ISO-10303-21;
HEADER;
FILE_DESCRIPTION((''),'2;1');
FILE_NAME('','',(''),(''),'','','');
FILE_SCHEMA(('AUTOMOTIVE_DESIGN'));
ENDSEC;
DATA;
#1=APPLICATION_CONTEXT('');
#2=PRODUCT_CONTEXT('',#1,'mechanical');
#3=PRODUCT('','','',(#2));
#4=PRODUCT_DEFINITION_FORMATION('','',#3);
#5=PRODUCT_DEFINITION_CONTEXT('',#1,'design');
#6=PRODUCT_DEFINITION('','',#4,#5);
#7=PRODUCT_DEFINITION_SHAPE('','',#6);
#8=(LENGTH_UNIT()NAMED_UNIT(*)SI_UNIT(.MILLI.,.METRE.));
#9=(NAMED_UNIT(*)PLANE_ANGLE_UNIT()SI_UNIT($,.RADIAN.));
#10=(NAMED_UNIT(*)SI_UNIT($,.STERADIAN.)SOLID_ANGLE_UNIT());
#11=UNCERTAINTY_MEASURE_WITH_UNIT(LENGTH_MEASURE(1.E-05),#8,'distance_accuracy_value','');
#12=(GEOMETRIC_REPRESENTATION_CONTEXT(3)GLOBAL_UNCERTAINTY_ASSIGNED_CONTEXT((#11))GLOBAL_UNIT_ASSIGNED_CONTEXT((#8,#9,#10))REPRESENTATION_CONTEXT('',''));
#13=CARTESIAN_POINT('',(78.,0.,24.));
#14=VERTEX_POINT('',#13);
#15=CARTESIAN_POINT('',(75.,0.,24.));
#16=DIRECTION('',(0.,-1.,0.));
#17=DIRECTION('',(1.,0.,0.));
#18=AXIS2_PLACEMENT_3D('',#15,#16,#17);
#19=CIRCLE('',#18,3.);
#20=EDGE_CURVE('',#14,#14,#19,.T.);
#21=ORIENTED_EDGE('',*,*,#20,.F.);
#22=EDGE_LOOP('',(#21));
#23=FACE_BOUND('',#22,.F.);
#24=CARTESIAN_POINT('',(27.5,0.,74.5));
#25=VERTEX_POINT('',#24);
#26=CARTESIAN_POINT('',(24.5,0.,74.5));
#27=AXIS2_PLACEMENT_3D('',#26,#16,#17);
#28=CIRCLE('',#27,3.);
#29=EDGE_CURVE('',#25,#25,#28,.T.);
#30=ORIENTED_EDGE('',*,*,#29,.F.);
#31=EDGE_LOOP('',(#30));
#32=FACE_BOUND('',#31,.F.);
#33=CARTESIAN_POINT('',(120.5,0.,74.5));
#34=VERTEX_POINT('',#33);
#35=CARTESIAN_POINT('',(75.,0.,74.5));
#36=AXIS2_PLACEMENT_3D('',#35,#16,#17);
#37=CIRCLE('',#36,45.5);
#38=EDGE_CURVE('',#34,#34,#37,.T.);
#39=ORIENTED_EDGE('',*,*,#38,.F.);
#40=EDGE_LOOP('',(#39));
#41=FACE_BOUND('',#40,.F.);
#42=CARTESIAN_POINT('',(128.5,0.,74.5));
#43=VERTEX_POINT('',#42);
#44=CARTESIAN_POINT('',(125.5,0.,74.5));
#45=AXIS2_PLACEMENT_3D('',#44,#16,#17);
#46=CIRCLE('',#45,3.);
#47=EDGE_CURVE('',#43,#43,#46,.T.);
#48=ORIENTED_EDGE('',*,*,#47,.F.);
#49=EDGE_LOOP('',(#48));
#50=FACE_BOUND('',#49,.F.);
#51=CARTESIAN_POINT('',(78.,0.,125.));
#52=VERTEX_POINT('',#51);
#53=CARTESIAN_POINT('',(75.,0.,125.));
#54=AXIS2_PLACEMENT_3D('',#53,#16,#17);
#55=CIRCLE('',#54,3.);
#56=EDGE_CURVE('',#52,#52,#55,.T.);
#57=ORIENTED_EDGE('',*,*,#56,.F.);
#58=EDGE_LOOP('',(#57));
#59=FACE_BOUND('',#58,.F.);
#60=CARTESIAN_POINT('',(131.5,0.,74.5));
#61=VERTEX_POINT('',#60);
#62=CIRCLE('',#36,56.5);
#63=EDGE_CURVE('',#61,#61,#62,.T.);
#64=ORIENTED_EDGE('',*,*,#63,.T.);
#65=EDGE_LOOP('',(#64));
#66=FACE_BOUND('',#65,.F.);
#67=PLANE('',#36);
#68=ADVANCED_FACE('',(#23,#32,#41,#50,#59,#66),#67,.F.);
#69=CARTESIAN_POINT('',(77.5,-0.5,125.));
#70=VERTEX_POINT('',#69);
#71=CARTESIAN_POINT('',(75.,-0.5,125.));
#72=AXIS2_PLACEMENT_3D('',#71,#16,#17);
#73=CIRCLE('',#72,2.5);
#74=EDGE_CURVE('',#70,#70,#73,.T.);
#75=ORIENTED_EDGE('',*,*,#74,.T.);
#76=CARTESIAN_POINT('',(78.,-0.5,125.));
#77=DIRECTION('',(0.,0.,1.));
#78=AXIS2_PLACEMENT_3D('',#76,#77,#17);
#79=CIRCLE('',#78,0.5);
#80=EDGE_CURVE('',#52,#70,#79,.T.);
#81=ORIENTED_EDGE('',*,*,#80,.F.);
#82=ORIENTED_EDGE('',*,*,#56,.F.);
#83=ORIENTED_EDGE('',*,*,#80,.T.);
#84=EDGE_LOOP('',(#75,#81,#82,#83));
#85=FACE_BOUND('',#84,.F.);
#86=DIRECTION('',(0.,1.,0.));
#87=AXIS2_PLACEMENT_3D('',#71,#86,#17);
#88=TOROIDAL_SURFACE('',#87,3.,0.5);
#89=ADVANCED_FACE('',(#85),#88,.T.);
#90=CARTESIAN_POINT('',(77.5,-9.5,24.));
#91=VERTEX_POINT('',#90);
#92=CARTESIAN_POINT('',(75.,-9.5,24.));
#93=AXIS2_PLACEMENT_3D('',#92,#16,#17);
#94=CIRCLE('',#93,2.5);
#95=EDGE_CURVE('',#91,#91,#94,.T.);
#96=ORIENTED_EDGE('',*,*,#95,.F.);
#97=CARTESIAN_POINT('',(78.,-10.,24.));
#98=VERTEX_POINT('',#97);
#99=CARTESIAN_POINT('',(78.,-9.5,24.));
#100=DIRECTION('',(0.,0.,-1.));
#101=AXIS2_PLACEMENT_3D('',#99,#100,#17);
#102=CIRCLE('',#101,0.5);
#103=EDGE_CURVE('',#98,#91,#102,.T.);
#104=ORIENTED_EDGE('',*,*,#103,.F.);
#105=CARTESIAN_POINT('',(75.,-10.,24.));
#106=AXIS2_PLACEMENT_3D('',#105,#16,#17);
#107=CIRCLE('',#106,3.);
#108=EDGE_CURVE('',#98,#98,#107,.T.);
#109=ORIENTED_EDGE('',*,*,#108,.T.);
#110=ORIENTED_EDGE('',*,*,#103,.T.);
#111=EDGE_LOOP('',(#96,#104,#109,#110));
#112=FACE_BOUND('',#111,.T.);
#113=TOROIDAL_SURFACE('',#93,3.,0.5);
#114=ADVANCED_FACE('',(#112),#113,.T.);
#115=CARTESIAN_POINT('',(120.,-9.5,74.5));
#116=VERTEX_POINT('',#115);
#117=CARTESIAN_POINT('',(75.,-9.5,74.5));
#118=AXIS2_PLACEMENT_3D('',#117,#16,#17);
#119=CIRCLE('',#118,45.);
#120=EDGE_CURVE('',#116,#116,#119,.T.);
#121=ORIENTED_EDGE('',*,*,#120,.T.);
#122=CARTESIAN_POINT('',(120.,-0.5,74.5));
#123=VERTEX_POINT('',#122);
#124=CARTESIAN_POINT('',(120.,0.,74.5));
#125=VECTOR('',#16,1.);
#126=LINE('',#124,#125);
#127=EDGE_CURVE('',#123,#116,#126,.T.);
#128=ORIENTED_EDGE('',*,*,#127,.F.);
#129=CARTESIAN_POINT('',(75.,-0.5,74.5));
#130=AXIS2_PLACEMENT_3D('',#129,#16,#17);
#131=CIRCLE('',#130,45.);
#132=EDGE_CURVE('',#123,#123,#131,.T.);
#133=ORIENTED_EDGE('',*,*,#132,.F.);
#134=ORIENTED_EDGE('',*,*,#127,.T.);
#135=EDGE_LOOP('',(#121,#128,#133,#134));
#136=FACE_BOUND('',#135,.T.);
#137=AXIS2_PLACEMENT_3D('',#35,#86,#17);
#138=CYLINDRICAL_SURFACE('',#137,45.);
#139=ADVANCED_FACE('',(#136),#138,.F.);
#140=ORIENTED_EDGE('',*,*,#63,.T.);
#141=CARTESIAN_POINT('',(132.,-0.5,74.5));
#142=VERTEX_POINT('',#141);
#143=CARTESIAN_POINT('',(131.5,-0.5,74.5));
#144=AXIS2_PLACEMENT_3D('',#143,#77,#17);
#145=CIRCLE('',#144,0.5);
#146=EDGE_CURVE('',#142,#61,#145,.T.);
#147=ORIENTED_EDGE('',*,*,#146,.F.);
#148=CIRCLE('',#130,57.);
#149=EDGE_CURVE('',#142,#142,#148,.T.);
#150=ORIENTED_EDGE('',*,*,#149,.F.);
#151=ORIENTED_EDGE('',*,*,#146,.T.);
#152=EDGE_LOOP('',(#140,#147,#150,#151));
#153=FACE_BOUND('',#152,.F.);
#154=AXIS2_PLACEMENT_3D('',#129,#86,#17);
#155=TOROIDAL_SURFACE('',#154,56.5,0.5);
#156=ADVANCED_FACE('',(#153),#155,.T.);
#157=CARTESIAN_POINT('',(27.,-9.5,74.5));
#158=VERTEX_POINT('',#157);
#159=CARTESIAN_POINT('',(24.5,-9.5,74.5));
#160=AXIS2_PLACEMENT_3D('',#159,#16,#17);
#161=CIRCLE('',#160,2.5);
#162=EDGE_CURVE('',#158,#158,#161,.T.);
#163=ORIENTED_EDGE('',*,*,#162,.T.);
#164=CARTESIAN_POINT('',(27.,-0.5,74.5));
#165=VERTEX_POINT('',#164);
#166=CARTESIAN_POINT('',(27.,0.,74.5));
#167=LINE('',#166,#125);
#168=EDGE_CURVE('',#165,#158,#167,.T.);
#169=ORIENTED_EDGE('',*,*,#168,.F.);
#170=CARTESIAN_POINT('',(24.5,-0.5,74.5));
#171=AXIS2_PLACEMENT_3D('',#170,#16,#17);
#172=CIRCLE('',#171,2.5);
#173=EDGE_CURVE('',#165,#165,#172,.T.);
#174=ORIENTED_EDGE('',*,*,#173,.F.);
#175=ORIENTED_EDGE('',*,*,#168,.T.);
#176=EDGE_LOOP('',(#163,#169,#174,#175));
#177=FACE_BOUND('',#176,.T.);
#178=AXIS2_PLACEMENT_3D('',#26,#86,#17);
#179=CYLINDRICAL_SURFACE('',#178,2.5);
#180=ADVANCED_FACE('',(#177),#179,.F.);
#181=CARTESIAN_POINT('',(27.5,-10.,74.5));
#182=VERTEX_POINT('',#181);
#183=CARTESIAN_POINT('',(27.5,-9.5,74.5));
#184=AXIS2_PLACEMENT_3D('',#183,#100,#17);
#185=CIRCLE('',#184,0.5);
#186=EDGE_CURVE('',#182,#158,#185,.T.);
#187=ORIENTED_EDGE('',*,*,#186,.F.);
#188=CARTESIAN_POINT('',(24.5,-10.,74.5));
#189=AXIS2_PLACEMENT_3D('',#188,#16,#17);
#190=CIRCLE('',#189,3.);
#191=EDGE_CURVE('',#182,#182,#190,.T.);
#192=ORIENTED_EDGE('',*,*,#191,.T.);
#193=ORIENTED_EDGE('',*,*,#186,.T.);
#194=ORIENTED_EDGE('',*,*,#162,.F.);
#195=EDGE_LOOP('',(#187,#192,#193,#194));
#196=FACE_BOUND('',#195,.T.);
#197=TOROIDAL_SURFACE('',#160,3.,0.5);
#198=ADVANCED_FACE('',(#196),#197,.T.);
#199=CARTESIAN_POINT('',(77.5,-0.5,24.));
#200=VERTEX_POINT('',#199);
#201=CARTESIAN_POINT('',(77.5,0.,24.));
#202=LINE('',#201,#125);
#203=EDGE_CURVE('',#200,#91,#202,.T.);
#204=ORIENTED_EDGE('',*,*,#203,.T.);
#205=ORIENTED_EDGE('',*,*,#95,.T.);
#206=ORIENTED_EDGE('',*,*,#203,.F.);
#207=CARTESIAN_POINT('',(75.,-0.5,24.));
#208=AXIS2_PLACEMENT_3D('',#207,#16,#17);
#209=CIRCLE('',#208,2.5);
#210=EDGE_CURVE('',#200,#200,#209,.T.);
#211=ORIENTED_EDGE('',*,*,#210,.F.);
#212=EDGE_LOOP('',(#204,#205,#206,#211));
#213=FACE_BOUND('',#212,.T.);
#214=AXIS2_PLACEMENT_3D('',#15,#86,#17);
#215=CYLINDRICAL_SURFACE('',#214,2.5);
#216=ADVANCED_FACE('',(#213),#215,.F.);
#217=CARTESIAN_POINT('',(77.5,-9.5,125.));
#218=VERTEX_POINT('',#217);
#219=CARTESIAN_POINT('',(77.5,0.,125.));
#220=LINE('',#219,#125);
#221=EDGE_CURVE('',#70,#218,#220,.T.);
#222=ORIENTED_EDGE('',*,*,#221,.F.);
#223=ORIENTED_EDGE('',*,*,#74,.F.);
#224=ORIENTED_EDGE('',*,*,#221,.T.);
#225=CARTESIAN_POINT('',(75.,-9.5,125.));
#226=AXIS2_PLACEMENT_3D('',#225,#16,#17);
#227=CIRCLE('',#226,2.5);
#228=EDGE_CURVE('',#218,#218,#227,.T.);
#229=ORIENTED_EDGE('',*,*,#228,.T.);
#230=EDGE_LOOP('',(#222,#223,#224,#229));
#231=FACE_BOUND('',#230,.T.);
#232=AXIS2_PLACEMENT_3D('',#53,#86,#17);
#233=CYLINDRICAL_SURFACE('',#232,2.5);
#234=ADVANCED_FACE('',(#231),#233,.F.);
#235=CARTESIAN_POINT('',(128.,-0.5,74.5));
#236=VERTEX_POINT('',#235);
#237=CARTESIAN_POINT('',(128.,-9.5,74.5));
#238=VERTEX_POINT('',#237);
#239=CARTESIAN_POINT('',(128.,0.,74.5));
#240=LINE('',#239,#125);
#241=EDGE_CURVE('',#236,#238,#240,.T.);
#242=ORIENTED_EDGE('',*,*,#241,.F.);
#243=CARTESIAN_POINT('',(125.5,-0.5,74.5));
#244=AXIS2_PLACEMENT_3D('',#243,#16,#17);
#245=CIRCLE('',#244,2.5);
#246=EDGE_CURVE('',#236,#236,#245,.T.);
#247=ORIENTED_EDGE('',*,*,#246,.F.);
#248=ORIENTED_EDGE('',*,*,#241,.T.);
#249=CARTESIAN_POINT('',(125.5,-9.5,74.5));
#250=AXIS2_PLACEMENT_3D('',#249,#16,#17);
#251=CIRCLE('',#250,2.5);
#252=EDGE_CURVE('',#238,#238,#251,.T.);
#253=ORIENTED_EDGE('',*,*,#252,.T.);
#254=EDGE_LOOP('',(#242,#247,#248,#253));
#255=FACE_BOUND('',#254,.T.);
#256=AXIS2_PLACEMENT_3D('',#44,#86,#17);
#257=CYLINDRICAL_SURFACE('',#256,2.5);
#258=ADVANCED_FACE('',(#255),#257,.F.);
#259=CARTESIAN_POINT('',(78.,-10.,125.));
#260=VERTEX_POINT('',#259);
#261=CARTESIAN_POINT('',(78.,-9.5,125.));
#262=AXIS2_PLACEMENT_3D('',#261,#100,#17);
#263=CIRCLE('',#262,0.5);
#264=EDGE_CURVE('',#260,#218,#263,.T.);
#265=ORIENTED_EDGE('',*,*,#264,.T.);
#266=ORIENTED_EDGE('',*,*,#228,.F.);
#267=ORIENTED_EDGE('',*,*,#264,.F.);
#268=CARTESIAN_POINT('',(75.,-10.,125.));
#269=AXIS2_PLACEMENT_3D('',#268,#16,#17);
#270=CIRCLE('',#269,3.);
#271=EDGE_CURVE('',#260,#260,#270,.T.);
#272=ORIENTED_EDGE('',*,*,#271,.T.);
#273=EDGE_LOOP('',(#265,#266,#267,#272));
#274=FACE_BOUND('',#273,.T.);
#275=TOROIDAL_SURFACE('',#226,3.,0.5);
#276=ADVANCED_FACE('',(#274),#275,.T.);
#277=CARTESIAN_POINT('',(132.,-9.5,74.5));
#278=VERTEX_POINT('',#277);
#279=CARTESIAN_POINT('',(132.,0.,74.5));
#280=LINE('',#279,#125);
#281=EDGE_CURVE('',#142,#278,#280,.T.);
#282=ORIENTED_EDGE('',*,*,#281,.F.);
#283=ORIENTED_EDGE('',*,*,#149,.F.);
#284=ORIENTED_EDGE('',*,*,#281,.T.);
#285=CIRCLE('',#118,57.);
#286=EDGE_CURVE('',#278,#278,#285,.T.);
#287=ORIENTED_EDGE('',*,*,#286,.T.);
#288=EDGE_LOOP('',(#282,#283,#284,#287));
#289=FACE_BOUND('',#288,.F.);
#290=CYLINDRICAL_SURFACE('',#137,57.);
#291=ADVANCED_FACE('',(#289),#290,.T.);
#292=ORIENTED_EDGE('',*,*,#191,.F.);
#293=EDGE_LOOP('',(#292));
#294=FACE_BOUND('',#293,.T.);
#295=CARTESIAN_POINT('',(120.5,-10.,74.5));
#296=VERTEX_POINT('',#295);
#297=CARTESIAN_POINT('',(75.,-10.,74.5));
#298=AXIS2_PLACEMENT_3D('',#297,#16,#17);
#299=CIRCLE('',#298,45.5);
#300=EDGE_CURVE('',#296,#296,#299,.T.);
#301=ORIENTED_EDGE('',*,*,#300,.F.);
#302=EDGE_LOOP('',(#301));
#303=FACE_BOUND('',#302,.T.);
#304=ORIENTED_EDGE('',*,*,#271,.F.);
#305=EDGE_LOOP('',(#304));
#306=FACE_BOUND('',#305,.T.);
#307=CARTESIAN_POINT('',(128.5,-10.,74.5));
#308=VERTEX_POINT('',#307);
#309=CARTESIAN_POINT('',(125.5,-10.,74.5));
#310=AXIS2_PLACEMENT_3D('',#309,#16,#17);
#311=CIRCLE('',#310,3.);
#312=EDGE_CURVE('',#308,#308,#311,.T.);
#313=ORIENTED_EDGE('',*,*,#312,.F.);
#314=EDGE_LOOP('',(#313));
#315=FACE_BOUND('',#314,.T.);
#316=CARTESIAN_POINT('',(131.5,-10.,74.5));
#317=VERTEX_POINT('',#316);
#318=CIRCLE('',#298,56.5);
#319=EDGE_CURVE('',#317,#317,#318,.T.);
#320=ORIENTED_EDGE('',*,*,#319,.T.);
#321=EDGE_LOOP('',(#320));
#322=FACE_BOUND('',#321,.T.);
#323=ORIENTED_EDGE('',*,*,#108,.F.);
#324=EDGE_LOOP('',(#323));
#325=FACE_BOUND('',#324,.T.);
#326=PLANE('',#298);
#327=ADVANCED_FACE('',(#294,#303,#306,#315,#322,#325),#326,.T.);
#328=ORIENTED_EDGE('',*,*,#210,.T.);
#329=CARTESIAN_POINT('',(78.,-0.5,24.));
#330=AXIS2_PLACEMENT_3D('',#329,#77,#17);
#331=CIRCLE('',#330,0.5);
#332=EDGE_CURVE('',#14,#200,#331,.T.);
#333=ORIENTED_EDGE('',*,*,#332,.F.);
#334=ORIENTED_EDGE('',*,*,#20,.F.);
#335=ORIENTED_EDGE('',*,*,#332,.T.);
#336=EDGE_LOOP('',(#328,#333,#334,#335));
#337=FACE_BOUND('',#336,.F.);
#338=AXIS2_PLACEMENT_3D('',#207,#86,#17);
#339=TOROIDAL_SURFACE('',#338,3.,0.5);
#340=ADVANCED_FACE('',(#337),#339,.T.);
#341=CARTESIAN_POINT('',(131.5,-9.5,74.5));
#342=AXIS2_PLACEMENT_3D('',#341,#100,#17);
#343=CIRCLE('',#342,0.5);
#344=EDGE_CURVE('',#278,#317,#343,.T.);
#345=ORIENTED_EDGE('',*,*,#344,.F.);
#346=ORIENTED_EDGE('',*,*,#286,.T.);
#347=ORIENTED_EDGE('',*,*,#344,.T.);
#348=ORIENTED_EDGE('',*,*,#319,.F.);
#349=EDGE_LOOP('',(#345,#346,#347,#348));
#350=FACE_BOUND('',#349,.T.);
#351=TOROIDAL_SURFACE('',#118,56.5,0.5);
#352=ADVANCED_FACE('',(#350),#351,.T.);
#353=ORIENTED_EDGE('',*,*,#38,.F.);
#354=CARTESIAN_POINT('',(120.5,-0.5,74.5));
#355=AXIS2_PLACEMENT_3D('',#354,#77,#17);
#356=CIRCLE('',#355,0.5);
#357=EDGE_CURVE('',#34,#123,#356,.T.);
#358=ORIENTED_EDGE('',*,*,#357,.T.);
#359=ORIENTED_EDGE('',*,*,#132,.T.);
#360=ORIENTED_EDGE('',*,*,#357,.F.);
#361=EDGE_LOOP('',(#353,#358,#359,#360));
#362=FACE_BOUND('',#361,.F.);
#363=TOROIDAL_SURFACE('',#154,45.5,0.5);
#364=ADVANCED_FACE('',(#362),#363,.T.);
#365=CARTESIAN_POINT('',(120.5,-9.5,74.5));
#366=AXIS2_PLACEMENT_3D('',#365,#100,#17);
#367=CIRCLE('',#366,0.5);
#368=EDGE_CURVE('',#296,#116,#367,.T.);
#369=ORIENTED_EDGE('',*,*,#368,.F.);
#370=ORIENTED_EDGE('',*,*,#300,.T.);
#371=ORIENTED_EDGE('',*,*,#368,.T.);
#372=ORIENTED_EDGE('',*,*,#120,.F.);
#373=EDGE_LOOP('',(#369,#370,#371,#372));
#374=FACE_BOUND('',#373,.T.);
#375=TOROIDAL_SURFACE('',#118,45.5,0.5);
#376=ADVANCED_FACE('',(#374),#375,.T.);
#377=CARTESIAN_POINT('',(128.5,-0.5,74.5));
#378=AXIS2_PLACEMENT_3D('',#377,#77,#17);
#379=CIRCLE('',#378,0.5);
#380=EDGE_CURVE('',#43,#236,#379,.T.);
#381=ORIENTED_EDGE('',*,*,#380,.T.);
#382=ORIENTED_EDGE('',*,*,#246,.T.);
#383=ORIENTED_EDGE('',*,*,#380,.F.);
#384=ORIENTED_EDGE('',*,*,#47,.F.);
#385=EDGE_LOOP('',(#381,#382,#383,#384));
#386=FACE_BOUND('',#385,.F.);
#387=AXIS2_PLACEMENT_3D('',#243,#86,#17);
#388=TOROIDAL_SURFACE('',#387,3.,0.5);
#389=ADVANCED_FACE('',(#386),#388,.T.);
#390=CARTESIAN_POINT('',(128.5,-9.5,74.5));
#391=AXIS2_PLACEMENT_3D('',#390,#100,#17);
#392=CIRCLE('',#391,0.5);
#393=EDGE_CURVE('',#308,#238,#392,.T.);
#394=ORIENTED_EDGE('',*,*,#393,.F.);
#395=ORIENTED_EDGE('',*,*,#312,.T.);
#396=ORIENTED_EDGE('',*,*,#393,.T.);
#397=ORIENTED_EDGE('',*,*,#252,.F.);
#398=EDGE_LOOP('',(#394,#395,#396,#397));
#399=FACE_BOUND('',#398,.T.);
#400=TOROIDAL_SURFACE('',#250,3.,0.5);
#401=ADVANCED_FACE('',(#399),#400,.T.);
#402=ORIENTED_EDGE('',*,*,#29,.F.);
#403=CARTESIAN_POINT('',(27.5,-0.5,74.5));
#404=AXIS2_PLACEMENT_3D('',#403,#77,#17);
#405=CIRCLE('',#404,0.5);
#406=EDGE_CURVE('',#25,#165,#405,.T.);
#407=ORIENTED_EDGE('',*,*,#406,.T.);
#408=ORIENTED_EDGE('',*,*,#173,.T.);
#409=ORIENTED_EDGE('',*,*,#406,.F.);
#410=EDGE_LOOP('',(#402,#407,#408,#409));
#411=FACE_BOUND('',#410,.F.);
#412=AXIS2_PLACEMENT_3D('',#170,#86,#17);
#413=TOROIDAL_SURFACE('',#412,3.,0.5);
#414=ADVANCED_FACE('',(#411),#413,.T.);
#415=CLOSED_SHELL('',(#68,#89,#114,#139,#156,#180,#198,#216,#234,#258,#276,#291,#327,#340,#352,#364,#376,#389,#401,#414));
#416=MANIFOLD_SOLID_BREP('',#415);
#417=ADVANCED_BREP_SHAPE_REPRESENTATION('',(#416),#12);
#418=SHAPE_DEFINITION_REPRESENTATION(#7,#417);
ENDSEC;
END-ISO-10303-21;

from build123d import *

# Parameters (mm, degrees)
CYLINDER003_R     = 2.5
CYLINDER003_DEPTH = 10
CYLINDER002_R     = 2.5
CYLINDER002_DEPTH = 10
CYLINDER001_R     = 2.5
CYLINDER001_DEPTH = 10
CYLINDER004_R     = 2.5
CYLINDER004_DEPTH = 10
CYLINDER009_R     = 45
CYLINDER009_DEPTH = 10
CYLINDER_R        = 57
CYLINDER_DEPTH    = 10
FILLET005_R       = 0.5


with BuildPart() as cylinder003:
    # Cylinder003 → Cylinder003 (new body)
    with BuildSketch(Plane(origin=(75, 0, 125.5), x_dir=(1, 0, 0), z_dir=(0, -1, 0))):
        Circle(CYLINDER003_R)
    extrude(amount=CYLINDER003_DEPTH)


with BuildPart() as cylinder002:
    # Cylinder002 → Cylinder002 (new body)
    with BuildSketch(Plane(origin=(75, 0, 24.5), x_dir=(1, 0, 0), z_dir=(0, -1, 0))):
        Circle(CYLINDER002_R)
    extrude(amount=CYLINDER002_DEPTH)


with BuildPart() as cylinder001:
    # Cylinder001 → Cylinder001 (new body)
    with BuildSketch(Plane(origin=(125.5, 0, 75), x_dir=(1, 0, 0), z_dir=(0, -1, 0))):
        Circle(CYLINDER001_R)
    extrude(amount=CYLINDER001_DEPTH)


with BuildPart() as cylinder004:
    # Cylinder004 → Cylinder004 (new body)
    with BuildSketch(Plane(origin=(24.5, 0, 75), x_dir=(1, 0, 0), z_dir=(0, -1, 0))):
        Circle(CYLINDER004_R)
    extrude(amount=CYLINDER004_DEPTH)


with BuildPart() as cylinder009:
    # Cylinder009 → Cylinder009 (new body)
    with BuildSketch(Plane(origin=(75, 0, 75), x_dir=(1, 0, 0), z_dir=(0, -1, 0))):
        Circle(CYLINDER009_R)
    extrude(amount=CYLINDER009_DEPTH)


with BuildPart() as lazy_suzan_in_fillet:
    # Cylinder → Cylinder (new body)
    with BuildSketch(Plane(origin=(75, 0, 75), x_dir=(1, 0, 0), z_dir=(0, -1, 0))):
        Circle(CYLINDER_R)
    extrude(amount=CYLINDER_DEPTH)

    # Cut011: cut Cylinder009
    add(cylinder009.part, mode=Mode.SUBTRACT)

    # Cut: cut Cylinder004
    add(cylinder004.part, mode=Mode.SUBTRACT)

    # Cut012: cut Cylinder001
    add(cylinder001.part, mode=Mode.SUBTRACT)

    # Cut013: cut Cylinder002
    add(cylinder002.part, mode=Mode.SUBTRACT)

    # Cut014: cut Cylinder003
    add(cylinder003.part, mode=Mode.SUBTRACT)

    # Fillet005
    fillet005_edges = [lazy_suzan_in_fillet.edges().sort_by_distance(p)[0] for p in [
        (18, -10, 75),
        (18, 0, 75),
        (72.5, -10, 24.5),
        (30, -10, 75),
        (72.5, -10, 125.5),
        (22, -10, 75),
        (123, -10, 75),
        (72.5, 0, 24.5),
        (30, 0, 75),
        (72.5, 0, 125.5),
        (22, 0, 75),
        (123, 0, 75),
    ]]
    fillet(fillet005_edges, radius=FILLET005_R)


with BuildPart() as lazy_suzan_in_fillet_1:
    # Fillet005 placement: moved
    add(lazy_suzan_in_fillet.part.moved(Location((0, 0, -0.5))))


solid = lazy_suzan_in_fillet_1.part
